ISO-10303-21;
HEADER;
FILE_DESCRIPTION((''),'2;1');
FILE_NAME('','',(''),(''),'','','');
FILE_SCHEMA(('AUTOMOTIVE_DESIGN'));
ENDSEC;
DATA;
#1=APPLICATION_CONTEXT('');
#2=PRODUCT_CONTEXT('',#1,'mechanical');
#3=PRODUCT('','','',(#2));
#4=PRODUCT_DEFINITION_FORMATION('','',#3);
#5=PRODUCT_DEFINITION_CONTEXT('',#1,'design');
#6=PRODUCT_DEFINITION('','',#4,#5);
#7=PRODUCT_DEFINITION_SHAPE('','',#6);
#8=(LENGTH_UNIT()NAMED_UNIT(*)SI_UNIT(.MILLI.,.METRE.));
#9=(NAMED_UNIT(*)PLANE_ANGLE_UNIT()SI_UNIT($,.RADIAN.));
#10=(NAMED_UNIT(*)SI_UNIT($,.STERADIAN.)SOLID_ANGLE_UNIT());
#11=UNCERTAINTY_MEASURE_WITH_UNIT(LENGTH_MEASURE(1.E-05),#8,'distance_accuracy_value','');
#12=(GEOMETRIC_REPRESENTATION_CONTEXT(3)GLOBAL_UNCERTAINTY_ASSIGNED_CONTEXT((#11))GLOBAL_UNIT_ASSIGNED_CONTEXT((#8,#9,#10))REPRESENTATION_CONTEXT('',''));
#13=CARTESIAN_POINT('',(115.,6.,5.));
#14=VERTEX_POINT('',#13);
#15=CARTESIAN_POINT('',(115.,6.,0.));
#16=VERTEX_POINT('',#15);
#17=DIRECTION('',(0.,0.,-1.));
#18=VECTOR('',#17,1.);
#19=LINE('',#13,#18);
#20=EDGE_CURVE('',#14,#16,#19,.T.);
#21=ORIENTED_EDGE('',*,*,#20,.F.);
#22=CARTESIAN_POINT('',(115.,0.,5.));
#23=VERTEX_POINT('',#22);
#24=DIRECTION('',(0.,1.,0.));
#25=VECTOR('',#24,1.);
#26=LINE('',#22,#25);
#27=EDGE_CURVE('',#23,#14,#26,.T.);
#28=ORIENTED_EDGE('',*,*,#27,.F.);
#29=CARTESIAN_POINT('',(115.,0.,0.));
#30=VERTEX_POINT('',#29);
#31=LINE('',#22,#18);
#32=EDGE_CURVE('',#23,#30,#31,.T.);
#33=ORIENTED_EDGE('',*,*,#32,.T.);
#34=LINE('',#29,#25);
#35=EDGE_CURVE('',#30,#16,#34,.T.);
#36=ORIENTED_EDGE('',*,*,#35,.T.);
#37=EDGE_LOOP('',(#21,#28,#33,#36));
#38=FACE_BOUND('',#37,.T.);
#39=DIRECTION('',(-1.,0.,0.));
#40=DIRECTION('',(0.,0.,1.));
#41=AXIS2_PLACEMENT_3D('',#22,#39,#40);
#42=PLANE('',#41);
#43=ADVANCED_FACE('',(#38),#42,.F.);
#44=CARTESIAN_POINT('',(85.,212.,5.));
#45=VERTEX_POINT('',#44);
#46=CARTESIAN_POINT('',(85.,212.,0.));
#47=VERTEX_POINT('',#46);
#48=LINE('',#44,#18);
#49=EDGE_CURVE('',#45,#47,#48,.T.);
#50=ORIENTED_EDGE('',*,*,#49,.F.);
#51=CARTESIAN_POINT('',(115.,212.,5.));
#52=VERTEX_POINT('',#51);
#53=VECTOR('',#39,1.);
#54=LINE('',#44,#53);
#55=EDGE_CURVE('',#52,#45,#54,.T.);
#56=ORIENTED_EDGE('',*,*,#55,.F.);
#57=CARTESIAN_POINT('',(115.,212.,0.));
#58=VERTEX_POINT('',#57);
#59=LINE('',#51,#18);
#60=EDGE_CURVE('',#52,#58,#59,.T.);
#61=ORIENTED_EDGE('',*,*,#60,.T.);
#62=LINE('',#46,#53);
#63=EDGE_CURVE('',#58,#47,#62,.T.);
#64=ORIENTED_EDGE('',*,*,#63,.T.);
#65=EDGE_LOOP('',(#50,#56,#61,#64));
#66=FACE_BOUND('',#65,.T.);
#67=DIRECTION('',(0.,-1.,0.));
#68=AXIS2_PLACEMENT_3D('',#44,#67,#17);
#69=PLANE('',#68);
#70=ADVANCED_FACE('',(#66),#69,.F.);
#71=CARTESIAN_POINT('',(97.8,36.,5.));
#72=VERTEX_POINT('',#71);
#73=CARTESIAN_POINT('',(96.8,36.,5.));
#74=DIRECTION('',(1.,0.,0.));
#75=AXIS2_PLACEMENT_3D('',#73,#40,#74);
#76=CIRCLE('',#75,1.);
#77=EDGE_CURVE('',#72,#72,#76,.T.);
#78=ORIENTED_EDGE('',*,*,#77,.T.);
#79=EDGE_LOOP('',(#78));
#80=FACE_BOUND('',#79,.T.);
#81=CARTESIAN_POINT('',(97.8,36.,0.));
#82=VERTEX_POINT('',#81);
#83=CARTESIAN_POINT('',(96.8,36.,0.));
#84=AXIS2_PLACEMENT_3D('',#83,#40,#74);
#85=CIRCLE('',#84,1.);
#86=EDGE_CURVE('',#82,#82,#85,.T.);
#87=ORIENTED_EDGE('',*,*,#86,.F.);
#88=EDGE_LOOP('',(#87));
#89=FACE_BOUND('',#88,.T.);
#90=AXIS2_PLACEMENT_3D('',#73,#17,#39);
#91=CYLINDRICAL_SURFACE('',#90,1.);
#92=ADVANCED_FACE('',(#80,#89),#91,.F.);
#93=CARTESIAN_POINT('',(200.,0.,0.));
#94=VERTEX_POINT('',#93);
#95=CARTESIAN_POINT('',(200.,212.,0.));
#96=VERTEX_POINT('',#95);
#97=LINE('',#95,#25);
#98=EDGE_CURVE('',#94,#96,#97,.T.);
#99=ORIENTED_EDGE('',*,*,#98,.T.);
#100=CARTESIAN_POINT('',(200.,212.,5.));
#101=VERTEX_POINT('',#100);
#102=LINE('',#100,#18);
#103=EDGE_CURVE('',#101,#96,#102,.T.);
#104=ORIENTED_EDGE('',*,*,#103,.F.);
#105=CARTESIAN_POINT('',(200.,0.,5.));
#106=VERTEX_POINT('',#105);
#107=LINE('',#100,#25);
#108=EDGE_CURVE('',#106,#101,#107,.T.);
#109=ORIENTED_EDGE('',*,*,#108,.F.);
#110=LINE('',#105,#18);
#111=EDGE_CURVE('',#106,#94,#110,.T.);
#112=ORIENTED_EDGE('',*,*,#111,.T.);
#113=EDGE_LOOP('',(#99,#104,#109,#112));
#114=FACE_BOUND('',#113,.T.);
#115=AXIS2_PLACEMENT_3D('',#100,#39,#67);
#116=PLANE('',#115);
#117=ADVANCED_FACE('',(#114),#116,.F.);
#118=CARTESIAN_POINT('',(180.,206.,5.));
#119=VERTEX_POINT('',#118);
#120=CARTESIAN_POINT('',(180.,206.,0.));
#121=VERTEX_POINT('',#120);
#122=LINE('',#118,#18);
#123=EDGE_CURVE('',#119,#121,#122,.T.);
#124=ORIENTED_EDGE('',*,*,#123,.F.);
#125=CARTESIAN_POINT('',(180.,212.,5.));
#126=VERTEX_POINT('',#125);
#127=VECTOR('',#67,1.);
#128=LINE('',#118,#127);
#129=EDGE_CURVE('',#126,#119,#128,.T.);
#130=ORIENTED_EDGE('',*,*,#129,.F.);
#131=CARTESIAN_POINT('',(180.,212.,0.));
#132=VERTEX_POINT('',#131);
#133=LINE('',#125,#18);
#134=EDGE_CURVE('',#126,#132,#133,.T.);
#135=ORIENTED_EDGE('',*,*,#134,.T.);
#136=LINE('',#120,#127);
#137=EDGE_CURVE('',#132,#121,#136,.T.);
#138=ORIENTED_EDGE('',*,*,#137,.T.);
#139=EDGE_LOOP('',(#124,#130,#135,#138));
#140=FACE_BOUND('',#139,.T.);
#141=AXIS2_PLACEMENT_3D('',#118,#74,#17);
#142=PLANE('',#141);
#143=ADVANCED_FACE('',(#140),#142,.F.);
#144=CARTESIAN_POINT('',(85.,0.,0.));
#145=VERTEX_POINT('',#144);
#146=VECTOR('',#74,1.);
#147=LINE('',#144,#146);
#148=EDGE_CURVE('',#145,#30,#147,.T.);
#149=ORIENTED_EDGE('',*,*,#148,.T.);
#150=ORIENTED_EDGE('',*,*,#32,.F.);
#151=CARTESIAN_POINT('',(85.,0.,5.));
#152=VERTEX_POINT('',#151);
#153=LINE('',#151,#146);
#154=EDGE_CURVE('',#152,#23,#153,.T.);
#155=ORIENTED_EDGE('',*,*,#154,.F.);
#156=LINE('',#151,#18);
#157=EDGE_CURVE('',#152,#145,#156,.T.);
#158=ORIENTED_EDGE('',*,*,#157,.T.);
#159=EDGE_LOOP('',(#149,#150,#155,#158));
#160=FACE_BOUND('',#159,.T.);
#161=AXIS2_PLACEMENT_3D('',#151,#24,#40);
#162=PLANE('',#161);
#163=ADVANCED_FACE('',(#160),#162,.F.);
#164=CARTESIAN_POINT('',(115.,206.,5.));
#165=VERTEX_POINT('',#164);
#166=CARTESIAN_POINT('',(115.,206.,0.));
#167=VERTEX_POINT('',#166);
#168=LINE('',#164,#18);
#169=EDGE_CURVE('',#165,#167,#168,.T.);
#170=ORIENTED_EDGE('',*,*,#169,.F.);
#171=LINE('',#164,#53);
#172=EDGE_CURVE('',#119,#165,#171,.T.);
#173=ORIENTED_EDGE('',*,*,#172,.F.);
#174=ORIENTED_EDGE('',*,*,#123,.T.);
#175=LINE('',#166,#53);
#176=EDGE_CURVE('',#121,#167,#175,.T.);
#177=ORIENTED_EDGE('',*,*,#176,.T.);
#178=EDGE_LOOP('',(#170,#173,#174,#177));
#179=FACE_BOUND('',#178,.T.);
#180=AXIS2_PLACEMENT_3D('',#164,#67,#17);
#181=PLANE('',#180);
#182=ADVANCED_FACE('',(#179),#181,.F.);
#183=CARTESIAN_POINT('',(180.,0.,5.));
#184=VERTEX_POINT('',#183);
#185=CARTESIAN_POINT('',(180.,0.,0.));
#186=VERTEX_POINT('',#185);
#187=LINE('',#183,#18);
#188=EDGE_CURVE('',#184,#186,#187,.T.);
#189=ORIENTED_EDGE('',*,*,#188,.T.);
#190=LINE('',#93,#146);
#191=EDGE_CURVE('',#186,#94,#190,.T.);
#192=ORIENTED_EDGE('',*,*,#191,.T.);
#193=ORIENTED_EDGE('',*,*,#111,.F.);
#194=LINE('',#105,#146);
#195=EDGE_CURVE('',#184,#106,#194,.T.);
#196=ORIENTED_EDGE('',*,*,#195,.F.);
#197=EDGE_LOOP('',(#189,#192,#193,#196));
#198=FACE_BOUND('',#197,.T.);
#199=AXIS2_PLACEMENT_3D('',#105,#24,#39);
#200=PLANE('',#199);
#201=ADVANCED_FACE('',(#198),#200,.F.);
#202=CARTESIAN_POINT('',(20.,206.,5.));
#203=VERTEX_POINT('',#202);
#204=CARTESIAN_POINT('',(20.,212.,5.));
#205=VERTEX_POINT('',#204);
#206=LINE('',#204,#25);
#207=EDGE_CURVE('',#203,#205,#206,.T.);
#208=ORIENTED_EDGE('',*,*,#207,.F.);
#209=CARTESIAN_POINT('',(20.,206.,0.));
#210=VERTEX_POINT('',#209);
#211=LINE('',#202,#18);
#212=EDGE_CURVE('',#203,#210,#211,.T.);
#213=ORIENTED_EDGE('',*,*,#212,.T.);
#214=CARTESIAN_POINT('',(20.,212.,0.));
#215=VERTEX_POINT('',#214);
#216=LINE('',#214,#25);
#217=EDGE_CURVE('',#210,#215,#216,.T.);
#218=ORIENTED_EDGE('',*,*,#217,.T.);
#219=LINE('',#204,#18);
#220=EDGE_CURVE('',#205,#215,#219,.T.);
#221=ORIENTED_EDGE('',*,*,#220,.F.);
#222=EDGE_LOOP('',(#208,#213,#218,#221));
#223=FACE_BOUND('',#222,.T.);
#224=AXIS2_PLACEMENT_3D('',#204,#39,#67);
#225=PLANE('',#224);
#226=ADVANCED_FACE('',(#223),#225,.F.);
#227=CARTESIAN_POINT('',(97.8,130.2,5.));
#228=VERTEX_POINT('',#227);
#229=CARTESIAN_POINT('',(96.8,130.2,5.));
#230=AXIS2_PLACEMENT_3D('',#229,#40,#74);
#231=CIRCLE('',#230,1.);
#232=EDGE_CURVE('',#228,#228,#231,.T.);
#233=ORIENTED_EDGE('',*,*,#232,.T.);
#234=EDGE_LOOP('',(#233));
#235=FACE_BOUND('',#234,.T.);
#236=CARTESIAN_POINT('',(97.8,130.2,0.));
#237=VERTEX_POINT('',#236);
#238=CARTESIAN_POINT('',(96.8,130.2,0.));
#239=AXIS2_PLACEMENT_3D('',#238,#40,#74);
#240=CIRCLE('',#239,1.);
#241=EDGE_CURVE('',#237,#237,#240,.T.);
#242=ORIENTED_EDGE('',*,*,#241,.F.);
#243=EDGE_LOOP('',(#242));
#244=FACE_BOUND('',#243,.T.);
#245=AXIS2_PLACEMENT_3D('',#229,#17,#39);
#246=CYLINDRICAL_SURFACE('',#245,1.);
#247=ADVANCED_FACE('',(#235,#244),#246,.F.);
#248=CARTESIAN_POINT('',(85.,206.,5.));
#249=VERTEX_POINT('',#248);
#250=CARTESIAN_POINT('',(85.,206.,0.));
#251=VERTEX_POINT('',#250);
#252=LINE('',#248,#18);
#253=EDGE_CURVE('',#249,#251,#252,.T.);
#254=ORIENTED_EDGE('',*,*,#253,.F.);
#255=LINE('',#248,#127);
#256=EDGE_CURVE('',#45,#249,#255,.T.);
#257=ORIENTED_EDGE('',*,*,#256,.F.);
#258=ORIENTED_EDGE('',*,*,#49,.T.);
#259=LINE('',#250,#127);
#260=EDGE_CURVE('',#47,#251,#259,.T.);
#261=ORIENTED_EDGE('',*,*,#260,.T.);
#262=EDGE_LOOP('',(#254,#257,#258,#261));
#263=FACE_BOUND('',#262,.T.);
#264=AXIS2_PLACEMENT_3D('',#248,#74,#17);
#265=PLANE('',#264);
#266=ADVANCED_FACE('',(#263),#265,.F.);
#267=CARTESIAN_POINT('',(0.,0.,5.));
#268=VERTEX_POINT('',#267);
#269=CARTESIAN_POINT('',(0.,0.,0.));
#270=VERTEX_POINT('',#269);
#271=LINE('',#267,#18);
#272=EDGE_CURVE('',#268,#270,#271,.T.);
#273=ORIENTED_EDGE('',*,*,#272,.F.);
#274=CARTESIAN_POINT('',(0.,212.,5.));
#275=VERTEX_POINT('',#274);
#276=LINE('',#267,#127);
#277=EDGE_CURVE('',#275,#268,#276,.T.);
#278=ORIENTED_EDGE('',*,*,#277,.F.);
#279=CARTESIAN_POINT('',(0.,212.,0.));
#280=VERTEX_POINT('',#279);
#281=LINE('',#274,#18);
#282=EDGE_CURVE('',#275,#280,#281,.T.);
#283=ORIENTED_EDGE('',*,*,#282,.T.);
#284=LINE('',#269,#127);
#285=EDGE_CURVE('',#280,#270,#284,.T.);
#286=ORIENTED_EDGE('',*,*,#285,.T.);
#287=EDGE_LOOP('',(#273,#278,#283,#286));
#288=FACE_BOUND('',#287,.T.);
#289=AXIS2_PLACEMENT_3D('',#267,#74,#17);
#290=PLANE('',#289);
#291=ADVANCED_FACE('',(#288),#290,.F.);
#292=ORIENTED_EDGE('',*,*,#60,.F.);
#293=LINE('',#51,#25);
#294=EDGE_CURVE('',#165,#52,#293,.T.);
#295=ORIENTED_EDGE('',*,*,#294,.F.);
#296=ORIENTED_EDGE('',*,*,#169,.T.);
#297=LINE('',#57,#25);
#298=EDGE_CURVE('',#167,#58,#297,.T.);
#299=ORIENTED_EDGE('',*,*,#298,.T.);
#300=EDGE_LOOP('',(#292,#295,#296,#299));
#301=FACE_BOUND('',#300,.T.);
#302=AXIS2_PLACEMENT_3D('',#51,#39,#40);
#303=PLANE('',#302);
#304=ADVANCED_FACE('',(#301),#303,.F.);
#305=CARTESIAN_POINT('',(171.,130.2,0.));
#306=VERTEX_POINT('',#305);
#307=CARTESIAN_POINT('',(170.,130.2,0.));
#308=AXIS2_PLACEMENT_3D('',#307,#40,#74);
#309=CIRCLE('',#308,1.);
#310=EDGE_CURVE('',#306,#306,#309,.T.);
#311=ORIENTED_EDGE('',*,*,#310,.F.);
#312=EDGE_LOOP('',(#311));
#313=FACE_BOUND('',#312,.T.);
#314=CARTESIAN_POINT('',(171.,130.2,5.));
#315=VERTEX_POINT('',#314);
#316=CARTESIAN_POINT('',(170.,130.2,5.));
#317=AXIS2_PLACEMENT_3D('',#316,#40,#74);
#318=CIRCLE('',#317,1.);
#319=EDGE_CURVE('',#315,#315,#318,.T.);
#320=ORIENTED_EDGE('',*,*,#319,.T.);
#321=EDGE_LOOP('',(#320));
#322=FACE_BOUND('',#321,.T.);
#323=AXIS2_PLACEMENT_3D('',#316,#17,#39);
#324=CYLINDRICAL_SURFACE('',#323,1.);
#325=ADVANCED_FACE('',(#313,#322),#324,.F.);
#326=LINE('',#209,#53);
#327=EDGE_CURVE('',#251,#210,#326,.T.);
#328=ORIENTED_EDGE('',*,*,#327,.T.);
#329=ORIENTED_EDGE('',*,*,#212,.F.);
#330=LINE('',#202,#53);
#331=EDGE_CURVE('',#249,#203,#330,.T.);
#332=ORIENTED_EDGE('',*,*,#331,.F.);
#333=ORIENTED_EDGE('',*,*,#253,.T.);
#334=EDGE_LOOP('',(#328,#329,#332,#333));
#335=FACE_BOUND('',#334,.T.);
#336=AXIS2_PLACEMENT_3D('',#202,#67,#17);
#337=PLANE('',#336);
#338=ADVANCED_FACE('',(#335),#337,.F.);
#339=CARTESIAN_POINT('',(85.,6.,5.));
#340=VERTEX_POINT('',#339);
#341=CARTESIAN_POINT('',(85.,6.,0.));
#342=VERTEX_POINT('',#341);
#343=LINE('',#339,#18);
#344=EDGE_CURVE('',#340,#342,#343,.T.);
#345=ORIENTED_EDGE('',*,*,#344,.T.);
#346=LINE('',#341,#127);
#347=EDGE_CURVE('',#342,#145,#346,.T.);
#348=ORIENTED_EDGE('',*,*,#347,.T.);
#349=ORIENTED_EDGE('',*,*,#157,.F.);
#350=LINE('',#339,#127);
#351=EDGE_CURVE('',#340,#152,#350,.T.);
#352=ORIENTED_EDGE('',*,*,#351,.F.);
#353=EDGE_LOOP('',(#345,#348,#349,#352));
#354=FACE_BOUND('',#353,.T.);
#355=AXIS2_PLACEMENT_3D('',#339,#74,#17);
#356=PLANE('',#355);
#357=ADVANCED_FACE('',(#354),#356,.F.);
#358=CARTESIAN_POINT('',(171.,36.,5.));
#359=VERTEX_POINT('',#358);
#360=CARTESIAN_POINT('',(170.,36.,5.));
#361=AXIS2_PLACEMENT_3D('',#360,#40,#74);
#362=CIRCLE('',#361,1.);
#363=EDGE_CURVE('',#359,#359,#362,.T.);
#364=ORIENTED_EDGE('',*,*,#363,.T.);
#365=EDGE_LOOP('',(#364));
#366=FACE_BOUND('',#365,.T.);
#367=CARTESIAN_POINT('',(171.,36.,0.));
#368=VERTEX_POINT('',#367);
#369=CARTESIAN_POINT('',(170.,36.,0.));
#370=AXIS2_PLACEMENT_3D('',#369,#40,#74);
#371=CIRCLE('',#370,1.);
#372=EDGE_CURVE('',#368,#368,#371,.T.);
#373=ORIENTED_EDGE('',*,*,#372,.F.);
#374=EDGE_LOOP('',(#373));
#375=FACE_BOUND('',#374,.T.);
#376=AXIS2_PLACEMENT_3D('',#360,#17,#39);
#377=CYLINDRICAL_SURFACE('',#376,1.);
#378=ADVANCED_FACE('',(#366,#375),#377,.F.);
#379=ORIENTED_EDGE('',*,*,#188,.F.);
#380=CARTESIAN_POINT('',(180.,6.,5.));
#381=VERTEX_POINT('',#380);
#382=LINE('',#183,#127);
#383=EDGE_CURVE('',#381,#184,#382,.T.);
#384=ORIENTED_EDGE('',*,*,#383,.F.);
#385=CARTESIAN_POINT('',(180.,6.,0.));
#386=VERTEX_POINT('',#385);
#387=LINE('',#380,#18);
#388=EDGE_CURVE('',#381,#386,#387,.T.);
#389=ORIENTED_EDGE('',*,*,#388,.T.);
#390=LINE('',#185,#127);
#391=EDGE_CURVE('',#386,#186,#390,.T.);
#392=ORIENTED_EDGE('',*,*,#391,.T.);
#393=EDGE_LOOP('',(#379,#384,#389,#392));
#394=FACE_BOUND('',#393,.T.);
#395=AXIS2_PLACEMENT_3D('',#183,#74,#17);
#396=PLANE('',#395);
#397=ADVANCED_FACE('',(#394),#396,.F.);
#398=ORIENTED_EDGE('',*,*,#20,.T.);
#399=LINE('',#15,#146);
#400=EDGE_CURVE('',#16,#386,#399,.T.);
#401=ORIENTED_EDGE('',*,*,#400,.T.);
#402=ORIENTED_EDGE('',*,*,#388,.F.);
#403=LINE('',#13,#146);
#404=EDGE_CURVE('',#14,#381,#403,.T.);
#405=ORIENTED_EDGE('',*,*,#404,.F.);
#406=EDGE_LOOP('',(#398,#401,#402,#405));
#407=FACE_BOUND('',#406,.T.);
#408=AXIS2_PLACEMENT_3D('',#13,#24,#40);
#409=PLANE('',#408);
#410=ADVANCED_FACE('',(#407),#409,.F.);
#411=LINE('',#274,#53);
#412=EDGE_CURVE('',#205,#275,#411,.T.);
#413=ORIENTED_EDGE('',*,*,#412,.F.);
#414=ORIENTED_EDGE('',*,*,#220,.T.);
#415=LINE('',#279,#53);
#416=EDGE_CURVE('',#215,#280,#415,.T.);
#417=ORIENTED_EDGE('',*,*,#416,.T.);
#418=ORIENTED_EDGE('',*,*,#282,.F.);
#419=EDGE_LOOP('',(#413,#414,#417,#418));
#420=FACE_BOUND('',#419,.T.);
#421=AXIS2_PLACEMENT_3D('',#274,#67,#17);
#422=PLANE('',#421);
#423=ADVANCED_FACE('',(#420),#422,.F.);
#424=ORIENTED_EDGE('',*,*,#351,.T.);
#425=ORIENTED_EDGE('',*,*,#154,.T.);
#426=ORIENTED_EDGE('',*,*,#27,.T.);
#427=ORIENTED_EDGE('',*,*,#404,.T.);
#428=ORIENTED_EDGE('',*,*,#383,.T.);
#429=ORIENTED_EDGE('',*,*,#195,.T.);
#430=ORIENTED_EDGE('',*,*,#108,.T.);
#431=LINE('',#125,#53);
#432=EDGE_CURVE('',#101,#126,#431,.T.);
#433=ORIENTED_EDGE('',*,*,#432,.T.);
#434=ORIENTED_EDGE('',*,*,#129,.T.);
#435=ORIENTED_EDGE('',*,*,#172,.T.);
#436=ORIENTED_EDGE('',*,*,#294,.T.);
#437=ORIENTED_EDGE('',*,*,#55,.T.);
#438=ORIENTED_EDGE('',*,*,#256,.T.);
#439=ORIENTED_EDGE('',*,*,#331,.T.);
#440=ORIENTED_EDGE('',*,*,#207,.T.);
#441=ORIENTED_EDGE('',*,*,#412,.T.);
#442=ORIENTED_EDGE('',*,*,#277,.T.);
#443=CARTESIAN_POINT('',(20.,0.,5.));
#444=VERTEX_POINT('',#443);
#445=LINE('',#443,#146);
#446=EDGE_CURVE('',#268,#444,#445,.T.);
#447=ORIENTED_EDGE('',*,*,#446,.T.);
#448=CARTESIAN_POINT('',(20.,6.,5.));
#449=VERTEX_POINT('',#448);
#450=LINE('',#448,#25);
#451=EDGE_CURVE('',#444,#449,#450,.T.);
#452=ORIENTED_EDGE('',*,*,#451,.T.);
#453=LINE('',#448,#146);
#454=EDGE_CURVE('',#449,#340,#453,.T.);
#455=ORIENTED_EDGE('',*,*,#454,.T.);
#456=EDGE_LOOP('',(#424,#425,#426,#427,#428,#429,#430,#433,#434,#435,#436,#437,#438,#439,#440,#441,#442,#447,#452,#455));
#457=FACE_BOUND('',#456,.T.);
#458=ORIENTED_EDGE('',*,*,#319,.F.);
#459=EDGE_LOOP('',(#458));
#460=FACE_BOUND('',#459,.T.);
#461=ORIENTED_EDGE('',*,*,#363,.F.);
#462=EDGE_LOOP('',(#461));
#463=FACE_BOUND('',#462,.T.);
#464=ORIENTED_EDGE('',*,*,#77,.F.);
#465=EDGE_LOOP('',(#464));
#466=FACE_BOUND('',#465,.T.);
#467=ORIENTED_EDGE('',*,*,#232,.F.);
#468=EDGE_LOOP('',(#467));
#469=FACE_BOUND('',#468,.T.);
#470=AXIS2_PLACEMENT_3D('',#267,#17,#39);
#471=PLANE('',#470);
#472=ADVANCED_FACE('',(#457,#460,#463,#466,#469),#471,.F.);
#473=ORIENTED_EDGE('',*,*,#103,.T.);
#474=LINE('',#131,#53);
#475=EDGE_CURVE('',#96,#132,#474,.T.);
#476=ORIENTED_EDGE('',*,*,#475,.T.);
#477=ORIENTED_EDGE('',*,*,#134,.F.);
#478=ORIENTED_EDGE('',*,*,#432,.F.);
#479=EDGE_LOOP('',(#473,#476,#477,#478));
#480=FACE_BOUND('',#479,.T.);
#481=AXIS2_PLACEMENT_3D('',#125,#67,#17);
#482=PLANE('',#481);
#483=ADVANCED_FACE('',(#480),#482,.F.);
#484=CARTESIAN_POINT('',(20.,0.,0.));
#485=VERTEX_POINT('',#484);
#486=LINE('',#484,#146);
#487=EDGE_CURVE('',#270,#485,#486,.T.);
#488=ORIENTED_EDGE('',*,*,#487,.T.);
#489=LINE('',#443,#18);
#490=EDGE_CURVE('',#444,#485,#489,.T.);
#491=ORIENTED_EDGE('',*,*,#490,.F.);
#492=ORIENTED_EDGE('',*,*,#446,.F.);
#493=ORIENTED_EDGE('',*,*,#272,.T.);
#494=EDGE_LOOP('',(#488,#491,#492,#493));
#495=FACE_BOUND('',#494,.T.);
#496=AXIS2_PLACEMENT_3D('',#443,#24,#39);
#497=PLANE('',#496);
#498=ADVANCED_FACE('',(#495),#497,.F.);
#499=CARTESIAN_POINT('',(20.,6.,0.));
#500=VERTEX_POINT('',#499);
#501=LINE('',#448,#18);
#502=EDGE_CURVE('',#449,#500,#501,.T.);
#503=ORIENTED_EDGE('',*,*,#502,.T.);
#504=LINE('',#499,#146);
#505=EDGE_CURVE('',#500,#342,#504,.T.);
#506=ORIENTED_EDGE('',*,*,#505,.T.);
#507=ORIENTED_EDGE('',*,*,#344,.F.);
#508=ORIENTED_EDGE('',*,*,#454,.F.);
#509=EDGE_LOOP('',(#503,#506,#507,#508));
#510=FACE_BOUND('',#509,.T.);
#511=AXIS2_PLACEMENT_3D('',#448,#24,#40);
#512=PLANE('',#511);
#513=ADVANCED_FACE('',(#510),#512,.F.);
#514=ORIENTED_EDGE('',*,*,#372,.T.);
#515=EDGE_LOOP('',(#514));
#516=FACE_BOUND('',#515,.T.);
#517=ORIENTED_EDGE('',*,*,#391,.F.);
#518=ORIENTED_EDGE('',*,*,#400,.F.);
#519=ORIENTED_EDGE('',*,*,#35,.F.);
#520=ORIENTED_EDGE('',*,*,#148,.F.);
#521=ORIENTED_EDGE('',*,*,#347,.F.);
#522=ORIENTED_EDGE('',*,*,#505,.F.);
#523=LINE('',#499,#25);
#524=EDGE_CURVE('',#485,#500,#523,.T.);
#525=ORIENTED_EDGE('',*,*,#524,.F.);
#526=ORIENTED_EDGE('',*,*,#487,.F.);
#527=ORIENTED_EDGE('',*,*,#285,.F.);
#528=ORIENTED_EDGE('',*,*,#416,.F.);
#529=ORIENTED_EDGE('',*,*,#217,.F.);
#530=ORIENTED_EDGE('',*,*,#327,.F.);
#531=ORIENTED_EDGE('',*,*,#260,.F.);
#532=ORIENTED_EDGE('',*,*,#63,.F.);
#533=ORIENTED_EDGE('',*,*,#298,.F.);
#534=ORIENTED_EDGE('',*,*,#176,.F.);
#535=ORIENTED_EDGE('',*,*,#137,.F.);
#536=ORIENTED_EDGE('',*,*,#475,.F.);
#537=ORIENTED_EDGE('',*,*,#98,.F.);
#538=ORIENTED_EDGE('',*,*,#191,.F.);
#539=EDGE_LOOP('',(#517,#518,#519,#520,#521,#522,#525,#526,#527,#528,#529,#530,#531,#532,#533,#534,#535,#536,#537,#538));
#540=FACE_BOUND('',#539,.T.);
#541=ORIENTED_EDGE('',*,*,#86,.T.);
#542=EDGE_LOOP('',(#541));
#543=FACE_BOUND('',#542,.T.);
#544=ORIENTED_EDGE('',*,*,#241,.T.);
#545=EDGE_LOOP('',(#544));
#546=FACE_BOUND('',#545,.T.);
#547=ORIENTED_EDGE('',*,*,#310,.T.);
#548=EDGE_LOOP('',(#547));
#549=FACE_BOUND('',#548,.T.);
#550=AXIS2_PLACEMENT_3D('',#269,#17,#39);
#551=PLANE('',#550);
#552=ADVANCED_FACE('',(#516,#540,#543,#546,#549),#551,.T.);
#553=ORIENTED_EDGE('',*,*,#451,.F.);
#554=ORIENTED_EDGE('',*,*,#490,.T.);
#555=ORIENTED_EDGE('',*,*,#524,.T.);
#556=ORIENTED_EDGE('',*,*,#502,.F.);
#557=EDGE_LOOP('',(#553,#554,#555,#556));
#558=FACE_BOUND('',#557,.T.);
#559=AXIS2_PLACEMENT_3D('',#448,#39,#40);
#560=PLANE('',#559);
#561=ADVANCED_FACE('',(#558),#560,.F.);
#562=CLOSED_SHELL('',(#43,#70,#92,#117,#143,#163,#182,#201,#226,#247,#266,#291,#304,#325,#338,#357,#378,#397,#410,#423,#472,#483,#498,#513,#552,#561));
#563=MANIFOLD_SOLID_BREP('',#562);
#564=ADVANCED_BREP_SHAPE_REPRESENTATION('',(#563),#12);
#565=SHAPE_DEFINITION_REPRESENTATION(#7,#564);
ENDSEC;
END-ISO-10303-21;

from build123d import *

# Parameters (mm, degrees)
ESQUISSE1_R        = 1
BOSS_EXTRU_1_DEPTH = 5


with BuildPart() as part:
    # Esquisse1 → Boss.-Extru.1 (new body)
    with BuildSketch(Plane.XY):
        Polygon((0, 0), (0, 212), (20, 212), (20, 206), (85, 206), (85, 212), (115, 212), (115, 206), (180, 206), (180, 212), (200, 212), (200, 0), (180, 0), (180, 6), (115, 6), (115, 0), (85, 0), (85, 6), (20, 6), (20, 0), align=None)
        with Locations((170, 36)):
            Circle(ESQUISSE1_R, mode=Mode.SUBTRACT)
        with Locations((96.8, 36)):
            Circle(ESQUISSE1_R, mode=Mode.SUBTRACT)
        with Locations((96.8, 130.2)):
            Circle(ESQUISSE1_R, mode=Mode.SUBTRACT)
        with Locations((170, 130.2)):
            Circle(ESQUISSE1_R, mode=Mode.SUBTRACT)
    extrude(amount=BOSS_EXTRU_1_DEPTH)


solid = part.part
